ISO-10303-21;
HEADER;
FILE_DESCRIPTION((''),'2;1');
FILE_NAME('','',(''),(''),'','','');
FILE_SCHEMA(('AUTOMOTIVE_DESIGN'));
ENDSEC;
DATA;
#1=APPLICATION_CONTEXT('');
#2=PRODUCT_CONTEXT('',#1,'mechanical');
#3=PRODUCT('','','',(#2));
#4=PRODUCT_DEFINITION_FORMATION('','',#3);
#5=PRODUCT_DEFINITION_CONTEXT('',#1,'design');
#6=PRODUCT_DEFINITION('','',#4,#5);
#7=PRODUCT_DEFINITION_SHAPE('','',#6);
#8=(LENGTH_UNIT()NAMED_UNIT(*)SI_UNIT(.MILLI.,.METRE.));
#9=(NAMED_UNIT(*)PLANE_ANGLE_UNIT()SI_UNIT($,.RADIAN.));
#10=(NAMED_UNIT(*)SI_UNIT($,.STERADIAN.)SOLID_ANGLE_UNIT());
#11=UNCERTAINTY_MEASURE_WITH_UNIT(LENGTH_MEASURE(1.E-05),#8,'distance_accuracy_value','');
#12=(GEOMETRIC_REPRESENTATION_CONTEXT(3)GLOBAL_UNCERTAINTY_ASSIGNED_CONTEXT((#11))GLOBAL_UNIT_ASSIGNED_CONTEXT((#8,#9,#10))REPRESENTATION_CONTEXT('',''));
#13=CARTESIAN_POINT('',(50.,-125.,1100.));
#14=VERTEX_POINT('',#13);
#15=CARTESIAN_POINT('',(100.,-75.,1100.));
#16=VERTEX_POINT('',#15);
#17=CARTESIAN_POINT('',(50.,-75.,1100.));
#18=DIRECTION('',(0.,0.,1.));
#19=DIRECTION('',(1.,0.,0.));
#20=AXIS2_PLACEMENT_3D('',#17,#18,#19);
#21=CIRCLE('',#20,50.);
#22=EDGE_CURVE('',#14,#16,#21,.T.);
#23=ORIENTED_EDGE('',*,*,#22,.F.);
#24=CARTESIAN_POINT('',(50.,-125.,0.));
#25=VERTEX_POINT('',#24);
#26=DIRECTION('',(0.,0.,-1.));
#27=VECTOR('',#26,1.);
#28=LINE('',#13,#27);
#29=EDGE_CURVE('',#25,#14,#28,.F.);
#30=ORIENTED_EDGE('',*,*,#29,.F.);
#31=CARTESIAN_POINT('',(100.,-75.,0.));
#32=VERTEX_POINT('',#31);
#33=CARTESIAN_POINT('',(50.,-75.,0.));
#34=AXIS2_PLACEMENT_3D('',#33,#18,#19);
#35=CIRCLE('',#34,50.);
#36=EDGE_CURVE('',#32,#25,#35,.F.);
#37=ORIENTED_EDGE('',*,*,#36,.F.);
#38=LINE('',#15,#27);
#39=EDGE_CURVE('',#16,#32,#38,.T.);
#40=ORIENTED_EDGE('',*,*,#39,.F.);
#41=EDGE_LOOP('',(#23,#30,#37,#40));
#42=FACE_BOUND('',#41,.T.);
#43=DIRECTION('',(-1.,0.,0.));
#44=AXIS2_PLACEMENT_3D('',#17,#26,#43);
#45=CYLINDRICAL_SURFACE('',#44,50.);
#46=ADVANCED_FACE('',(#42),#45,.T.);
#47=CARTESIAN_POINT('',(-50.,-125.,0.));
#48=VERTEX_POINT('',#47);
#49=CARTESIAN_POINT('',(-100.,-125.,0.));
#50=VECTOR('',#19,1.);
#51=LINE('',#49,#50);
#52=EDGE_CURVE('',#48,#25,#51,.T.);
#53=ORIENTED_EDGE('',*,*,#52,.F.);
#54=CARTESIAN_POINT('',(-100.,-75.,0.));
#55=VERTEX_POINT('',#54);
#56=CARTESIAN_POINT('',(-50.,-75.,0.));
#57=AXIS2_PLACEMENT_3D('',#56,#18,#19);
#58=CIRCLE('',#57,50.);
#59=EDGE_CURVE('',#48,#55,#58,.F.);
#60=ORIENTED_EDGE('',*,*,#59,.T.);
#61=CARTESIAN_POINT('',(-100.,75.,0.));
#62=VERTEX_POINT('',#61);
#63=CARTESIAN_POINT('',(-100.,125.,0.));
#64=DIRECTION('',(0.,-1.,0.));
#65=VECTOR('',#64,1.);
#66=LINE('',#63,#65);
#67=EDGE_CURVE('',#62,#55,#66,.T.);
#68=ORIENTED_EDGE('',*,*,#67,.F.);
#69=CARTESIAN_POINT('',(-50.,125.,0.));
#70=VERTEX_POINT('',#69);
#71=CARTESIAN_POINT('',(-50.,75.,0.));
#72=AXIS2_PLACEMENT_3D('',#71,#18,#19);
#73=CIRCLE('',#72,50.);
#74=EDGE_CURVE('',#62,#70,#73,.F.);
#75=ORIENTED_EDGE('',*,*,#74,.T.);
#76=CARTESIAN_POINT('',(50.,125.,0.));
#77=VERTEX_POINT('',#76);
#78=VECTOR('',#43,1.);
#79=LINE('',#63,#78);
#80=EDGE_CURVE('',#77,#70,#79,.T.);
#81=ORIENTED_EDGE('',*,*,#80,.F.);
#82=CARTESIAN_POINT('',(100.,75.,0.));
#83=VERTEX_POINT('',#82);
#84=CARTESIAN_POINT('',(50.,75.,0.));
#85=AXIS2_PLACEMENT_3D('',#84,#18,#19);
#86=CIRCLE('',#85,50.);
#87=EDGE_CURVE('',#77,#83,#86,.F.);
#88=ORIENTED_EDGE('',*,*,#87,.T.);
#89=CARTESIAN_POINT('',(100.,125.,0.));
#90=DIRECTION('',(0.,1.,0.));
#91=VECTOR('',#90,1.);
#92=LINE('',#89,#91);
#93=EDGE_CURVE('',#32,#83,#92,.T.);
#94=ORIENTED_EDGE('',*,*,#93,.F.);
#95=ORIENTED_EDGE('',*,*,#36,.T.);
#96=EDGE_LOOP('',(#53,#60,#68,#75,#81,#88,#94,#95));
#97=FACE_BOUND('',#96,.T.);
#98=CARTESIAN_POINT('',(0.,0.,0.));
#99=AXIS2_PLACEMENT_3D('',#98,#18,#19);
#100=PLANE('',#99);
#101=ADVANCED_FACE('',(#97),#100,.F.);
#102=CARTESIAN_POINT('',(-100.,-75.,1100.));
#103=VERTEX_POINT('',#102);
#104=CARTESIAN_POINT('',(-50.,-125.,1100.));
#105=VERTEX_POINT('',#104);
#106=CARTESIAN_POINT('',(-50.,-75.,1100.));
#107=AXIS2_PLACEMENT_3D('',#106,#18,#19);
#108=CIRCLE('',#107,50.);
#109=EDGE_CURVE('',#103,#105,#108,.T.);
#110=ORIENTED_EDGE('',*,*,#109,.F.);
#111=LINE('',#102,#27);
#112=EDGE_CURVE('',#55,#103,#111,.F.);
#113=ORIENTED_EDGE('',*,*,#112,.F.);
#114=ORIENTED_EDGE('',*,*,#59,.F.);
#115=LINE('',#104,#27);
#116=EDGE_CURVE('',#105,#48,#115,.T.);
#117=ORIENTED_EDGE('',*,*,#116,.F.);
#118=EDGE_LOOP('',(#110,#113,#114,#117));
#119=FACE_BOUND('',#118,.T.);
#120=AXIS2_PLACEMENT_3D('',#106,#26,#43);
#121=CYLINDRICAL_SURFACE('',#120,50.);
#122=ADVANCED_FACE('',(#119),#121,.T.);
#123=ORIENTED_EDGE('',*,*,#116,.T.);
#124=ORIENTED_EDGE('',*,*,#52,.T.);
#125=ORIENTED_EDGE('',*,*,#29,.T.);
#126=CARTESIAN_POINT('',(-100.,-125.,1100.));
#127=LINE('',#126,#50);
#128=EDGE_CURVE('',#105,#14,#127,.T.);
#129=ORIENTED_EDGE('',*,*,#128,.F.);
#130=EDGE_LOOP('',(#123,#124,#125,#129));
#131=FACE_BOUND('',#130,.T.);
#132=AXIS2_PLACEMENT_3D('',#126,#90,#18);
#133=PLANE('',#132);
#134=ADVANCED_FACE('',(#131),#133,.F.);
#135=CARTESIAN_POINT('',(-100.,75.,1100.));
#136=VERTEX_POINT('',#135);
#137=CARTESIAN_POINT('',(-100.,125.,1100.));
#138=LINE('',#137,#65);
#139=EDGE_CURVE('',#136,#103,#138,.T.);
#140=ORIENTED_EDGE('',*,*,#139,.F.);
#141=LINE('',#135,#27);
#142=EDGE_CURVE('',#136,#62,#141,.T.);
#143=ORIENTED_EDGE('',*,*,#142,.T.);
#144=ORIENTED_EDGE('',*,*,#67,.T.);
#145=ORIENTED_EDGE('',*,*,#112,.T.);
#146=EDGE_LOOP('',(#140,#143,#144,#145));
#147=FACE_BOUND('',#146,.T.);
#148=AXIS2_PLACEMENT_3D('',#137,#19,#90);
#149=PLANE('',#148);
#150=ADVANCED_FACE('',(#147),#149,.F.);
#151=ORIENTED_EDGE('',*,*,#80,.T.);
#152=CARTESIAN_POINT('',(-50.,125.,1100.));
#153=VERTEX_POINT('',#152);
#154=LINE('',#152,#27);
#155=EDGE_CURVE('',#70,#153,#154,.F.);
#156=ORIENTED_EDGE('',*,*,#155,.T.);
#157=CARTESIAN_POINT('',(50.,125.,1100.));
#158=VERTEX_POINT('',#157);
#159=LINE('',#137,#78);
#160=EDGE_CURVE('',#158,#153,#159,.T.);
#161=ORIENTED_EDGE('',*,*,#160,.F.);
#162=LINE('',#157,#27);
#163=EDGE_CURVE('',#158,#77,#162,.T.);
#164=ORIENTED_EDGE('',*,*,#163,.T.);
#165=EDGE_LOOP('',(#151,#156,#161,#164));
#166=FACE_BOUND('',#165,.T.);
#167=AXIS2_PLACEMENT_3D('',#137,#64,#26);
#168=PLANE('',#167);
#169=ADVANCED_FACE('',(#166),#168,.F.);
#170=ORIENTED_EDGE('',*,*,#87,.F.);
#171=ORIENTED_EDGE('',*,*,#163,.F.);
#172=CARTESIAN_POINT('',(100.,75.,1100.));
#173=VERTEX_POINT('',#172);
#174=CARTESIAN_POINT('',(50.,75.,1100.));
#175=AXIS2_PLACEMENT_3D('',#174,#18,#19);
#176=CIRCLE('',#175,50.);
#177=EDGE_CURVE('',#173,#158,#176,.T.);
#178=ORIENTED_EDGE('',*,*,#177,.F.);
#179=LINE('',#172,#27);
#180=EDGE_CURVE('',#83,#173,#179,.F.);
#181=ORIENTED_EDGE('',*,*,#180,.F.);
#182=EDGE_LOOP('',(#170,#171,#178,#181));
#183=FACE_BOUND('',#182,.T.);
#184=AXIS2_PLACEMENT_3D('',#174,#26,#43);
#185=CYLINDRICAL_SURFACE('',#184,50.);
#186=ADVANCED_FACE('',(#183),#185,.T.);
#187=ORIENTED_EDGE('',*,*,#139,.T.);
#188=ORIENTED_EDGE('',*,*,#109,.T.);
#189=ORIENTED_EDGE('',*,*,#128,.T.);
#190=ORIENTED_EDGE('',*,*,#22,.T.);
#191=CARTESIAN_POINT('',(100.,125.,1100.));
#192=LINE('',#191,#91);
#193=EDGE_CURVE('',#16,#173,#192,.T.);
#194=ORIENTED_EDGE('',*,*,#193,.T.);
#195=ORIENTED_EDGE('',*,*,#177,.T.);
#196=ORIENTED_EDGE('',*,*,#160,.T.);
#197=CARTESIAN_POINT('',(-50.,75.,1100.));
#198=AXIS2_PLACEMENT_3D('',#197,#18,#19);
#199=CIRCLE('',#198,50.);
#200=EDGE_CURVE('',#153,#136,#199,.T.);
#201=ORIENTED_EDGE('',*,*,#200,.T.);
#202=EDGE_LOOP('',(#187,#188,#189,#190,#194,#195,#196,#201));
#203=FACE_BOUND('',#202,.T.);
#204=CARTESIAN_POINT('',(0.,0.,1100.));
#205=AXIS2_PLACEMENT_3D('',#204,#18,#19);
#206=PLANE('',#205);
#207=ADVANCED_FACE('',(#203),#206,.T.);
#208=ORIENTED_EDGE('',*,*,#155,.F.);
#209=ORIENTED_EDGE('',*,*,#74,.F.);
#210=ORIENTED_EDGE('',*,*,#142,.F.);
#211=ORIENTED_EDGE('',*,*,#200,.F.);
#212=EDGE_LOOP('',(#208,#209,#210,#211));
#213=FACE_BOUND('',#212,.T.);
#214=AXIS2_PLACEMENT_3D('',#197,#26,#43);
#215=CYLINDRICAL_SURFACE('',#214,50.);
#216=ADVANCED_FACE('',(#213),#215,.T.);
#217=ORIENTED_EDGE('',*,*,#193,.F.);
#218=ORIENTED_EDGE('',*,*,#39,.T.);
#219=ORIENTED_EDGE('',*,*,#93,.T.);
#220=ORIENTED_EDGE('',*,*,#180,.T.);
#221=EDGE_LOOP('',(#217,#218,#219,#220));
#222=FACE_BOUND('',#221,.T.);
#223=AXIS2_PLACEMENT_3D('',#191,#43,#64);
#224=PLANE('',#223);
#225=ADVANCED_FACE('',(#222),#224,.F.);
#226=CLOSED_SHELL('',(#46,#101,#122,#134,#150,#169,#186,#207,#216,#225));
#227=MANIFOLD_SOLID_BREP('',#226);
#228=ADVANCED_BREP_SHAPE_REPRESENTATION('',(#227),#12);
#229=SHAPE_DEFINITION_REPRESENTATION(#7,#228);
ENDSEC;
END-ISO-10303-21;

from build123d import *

# Parameters (mm, degrees)
SKETCH1_W           = 200
SKETCH1_H           = 250
BOSS_EXTRUDE1_DEPTH = 1100
FILLET1_R           = 50
FILLET2_R           = 50
FILLET3_R           = 50
FILLET4_R           = 50


with BuildPart() as part:
    # Sketch1 → Boss-Extrude1 (new body)
    with BuildSketch(Plane.XY):
        Rectangle(SKETCH1_W, SKETCH1_H)
    extrude(amount=BOSS_EXTRUDE1_DEPTH)

    # Fillet1
    fillet1_edges = [part.edges().sort_by_distance(p)[0] for p in [
        (-100, 125, 550),
    ]]
    fillet(fillet1_edges, radius=FILLET1_R)

    # Fillet2
    fillet2_edges = [part.edges().sort_by_distance(p)[0] for p in [
        (-100, -125, 550),
    ]]
    fillet(fillet2_edges, radius=FILLET2_R)

    # Fillet3
    fillet3_edges = [part.edges().sort_by_distance(p)[0] for p in [
        (100, 125, 550),
    ]]
    fillet(fillet3_edges, radius=FILLET3_R)

    # Fillet4
    fillet4_edges = [part.edges().sort_by_distance(p)[0] for p in [
        (100, -125, 550),
    ]]
    fillet(fillet4_edges, radius=FILLET4_R)


solid = part.part
